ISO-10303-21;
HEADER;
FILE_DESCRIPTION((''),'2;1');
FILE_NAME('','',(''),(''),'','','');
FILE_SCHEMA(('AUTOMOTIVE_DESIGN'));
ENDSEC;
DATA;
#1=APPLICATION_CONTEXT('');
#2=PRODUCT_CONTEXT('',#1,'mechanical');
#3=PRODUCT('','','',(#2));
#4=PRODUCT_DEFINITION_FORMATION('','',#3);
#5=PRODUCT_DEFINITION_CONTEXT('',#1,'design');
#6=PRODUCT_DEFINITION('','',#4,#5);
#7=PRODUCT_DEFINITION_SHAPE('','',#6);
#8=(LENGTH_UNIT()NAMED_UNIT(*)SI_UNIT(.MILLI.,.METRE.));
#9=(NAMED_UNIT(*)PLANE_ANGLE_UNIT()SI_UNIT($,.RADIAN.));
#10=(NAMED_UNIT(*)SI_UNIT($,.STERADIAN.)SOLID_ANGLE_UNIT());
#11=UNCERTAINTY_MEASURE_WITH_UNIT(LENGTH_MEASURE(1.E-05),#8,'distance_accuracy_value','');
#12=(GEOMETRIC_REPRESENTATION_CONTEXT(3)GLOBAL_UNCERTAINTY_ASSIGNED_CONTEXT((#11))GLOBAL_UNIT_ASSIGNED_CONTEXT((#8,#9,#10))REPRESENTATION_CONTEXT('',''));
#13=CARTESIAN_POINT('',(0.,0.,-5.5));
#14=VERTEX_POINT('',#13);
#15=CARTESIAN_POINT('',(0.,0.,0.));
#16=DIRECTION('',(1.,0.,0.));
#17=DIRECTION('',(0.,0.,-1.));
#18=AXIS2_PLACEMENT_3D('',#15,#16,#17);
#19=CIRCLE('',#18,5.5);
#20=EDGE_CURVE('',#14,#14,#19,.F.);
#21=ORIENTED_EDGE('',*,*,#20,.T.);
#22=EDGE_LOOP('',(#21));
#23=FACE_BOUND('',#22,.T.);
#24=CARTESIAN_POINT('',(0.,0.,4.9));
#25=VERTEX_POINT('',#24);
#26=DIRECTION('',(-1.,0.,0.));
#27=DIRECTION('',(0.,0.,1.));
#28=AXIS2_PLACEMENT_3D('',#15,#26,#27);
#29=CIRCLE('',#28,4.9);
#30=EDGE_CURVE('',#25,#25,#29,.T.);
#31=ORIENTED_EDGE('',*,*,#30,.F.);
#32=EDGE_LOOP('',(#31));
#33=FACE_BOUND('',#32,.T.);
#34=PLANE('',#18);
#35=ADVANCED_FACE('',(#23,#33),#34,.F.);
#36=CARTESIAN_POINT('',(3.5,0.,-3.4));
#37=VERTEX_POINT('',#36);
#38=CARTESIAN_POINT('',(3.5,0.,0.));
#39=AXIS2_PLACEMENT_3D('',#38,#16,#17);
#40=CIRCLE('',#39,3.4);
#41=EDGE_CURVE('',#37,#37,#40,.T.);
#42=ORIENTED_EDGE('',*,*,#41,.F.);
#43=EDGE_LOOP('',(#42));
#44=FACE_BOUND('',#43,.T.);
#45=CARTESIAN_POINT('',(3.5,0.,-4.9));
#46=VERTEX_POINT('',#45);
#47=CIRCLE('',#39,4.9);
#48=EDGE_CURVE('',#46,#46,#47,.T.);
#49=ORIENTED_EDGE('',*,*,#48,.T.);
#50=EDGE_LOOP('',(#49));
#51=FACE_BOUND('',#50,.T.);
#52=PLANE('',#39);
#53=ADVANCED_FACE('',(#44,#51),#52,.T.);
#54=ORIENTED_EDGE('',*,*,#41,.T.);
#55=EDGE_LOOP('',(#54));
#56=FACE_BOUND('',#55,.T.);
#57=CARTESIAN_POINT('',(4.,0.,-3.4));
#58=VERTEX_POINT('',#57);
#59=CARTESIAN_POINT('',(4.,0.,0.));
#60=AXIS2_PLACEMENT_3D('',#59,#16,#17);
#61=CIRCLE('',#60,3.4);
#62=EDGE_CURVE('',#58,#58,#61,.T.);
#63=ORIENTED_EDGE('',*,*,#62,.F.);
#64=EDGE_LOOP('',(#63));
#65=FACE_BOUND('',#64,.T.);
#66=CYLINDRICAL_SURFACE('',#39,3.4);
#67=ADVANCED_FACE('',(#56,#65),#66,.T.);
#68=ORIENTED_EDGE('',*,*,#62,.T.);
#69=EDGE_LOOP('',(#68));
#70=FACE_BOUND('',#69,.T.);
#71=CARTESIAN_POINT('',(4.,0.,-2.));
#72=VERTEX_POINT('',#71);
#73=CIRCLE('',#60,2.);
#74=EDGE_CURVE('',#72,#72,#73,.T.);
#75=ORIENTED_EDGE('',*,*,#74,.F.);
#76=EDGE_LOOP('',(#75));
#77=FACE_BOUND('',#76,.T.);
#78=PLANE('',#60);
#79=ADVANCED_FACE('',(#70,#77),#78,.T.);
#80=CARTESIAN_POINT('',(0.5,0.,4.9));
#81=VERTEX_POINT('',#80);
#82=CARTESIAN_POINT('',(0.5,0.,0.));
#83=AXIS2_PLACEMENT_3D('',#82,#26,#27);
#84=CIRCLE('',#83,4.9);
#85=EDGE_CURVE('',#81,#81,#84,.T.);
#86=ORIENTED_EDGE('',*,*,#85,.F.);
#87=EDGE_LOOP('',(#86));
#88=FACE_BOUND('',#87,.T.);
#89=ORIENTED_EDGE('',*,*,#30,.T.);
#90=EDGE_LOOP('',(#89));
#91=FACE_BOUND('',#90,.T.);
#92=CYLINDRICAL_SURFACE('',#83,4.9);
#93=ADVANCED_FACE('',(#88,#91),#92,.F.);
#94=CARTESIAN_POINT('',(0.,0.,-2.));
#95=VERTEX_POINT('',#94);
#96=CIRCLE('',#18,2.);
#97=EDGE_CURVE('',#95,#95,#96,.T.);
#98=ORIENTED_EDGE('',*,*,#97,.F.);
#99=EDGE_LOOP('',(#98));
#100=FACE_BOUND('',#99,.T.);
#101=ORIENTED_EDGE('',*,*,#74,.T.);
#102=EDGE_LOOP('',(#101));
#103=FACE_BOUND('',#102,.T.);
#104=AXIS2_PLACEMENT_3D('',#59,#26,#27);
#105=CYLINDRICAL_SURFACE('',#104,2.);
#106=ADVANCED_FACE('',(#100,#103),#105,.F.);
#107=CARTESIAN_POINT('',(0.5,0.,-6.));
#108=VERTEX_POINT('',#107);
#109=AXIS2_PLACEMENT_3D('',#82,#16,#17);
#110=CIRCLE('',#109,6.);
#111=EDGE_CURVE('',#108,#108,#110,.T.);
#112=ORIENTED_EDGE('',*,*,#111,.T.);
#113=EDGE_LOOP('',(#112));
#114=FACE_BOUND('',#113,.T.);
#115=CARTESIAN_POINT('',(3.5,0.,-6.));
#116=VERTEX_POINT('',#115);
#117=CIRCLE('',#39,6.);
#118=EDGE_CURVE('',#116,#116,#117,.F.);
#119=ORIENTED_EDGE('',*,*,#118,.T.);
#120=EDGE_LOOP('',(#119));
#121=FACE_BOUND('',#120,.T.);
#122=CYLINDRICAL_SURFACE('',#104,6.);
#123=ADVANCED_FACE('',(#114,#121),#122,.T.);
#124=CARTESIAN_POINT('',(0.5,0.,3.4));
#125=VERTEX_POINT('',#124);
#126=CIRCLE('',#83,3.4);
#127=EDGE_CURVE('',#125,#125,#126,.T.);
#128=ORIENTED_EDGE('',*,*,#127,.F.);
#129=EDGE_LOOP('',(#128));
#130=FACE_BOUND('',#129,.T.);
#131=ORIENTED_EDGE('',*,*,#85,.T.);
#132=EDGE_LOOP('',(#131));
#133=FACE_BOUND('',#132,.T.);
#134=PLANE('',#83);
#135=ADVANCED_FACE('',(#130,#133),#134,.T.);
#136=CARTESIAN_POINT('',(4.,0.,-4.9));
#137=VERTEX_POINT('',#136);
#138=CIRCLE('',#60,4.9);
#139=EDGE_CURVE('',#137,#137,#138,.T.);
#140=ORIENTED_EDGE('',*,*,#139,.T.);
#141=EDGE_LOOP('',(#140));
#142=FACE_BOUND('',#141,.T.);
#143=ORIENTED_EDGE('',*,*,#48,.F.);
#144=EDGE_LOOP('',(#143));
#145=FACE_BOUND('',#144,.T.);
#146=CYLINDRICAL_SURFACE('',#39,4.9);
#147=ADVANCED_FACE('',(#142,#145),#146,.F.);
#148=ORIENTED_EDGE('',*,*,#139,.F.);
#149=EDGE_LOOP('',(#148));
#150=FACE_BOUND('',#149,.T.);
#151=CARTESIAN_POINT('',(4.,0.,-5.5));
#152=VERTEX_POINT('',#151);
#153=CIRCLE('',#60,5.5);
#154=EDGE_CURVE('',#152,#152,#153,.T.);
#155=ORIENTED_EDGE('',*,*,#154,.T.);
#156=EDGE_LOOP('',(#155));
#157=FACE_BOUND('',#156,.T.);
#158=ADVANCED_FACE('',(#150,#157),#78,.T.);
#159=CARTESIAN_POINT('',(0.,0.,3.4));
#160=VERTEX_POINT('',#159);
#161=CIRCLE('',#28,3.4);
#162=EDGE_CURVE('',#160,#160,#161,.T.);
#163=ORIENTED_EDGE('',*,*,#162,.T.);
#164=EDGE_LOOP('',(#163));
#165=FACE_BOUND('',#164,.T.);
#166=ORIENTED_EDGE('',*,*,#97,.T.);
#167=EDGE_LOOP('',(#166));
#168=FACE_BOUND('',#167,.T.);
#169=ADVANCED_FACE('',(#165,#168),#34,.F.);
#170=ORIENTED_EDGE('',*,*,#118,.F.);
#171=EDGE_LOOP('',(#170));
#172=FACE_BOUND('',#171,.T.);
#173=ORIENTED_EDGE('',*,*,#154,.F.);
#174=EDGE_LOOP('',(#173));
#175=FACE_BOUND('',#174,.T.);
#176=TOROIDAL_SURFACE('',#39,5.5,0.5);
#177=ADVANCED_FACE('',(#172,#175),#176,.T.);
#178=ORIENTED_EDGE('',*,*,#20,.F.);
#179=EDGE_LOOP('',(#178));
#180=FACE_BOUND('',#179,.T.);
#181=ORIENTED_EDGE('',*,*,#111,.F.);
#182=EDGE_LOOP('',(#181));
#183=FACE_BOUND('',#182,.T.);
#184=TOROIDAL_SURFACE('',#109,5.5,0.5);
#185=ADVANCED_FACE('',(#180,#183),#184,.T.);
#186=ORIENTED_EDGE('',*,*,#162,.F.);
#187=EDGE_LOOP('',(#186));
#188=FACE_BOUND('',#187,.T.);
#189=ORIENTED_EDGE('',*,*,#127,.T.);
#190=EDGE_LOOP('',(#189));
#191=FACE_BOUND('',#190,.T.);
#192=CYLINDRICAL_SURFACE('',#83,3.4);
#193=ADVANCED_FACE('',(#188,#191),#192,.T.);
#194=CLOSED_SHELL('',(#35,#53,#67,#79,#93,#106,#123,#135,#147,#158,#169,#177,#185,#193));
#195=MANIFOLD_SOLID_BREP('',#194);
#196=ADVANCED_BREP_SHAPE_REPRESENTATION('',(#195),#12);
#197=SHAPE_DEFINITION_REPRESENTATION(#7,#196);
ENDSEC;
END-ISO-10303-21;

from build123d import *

# Parameters (mm, degrees)
SKETCH1_R           = 6
SKETCH1_R_2         = 2
BOSS_EXTRUDE1_DEPTH = 4
FILLET1_R           = 0.5
SKETCH2_R           = 4.9
SKETCH2_R_2         = 3.4
CUT_EXTRUDE1_DEPTH  = 0.5
SKETCH3_R           = 4.9
SKETCH3_R_2         = 3.4
CUT_EXTRUDE2_DEPTH  = 0.5


with BuildPart() as part:
    # Sketch1 → Boss-Extrude1 (new body)
    with BuildSketch(Plane(origin=(0, 0, 0), x_dir=(0, 0, -1), z_dir=(1, 0, 0))):
        Circle(SKETCH1_R)
        Circle(SKETCH1_R_2, mode=Mode.SUBTRACT)
    extrude(amount=BOSS_EXTRUDE1_DEPTH)

    # Fillet1
    fillet1_edges = [part.edges().sort_by_distance(p)[0] for p in [
        (0, 0, 6),
        (4, 0, 6),
    ]]
    fillet(fillet1_edges, radius=FILLET1_R)

    # Sketch2 → Cut-Extrude1 (cut)
    with BuildSketch(Plane(origin=(4, 0, 0), x_dir=(0, 0, -1), z_dir=(1, 0, 0))):
        Circle(SKETCH2_R)
        Circle(SKETCH2_R_2, mode=Mode.SUBTRACT)
    extrude(amount=-CUT_EXTRUDE1_DEPTH, mode=Mode.SUBTRACT)

    # Sketch3 → Cut-Extrude2 (cut)
    with BuildSketch(Plane.ZY):
        Circle(SKETCH3_R)
        Circle(SKETCH3_R_2, mode=Mode.SUBTRACT)
    extrude(amount=-CUT_EXTRUDE2_DEPTH, mode=Mode.SUBTRACT)


solid = part.part
